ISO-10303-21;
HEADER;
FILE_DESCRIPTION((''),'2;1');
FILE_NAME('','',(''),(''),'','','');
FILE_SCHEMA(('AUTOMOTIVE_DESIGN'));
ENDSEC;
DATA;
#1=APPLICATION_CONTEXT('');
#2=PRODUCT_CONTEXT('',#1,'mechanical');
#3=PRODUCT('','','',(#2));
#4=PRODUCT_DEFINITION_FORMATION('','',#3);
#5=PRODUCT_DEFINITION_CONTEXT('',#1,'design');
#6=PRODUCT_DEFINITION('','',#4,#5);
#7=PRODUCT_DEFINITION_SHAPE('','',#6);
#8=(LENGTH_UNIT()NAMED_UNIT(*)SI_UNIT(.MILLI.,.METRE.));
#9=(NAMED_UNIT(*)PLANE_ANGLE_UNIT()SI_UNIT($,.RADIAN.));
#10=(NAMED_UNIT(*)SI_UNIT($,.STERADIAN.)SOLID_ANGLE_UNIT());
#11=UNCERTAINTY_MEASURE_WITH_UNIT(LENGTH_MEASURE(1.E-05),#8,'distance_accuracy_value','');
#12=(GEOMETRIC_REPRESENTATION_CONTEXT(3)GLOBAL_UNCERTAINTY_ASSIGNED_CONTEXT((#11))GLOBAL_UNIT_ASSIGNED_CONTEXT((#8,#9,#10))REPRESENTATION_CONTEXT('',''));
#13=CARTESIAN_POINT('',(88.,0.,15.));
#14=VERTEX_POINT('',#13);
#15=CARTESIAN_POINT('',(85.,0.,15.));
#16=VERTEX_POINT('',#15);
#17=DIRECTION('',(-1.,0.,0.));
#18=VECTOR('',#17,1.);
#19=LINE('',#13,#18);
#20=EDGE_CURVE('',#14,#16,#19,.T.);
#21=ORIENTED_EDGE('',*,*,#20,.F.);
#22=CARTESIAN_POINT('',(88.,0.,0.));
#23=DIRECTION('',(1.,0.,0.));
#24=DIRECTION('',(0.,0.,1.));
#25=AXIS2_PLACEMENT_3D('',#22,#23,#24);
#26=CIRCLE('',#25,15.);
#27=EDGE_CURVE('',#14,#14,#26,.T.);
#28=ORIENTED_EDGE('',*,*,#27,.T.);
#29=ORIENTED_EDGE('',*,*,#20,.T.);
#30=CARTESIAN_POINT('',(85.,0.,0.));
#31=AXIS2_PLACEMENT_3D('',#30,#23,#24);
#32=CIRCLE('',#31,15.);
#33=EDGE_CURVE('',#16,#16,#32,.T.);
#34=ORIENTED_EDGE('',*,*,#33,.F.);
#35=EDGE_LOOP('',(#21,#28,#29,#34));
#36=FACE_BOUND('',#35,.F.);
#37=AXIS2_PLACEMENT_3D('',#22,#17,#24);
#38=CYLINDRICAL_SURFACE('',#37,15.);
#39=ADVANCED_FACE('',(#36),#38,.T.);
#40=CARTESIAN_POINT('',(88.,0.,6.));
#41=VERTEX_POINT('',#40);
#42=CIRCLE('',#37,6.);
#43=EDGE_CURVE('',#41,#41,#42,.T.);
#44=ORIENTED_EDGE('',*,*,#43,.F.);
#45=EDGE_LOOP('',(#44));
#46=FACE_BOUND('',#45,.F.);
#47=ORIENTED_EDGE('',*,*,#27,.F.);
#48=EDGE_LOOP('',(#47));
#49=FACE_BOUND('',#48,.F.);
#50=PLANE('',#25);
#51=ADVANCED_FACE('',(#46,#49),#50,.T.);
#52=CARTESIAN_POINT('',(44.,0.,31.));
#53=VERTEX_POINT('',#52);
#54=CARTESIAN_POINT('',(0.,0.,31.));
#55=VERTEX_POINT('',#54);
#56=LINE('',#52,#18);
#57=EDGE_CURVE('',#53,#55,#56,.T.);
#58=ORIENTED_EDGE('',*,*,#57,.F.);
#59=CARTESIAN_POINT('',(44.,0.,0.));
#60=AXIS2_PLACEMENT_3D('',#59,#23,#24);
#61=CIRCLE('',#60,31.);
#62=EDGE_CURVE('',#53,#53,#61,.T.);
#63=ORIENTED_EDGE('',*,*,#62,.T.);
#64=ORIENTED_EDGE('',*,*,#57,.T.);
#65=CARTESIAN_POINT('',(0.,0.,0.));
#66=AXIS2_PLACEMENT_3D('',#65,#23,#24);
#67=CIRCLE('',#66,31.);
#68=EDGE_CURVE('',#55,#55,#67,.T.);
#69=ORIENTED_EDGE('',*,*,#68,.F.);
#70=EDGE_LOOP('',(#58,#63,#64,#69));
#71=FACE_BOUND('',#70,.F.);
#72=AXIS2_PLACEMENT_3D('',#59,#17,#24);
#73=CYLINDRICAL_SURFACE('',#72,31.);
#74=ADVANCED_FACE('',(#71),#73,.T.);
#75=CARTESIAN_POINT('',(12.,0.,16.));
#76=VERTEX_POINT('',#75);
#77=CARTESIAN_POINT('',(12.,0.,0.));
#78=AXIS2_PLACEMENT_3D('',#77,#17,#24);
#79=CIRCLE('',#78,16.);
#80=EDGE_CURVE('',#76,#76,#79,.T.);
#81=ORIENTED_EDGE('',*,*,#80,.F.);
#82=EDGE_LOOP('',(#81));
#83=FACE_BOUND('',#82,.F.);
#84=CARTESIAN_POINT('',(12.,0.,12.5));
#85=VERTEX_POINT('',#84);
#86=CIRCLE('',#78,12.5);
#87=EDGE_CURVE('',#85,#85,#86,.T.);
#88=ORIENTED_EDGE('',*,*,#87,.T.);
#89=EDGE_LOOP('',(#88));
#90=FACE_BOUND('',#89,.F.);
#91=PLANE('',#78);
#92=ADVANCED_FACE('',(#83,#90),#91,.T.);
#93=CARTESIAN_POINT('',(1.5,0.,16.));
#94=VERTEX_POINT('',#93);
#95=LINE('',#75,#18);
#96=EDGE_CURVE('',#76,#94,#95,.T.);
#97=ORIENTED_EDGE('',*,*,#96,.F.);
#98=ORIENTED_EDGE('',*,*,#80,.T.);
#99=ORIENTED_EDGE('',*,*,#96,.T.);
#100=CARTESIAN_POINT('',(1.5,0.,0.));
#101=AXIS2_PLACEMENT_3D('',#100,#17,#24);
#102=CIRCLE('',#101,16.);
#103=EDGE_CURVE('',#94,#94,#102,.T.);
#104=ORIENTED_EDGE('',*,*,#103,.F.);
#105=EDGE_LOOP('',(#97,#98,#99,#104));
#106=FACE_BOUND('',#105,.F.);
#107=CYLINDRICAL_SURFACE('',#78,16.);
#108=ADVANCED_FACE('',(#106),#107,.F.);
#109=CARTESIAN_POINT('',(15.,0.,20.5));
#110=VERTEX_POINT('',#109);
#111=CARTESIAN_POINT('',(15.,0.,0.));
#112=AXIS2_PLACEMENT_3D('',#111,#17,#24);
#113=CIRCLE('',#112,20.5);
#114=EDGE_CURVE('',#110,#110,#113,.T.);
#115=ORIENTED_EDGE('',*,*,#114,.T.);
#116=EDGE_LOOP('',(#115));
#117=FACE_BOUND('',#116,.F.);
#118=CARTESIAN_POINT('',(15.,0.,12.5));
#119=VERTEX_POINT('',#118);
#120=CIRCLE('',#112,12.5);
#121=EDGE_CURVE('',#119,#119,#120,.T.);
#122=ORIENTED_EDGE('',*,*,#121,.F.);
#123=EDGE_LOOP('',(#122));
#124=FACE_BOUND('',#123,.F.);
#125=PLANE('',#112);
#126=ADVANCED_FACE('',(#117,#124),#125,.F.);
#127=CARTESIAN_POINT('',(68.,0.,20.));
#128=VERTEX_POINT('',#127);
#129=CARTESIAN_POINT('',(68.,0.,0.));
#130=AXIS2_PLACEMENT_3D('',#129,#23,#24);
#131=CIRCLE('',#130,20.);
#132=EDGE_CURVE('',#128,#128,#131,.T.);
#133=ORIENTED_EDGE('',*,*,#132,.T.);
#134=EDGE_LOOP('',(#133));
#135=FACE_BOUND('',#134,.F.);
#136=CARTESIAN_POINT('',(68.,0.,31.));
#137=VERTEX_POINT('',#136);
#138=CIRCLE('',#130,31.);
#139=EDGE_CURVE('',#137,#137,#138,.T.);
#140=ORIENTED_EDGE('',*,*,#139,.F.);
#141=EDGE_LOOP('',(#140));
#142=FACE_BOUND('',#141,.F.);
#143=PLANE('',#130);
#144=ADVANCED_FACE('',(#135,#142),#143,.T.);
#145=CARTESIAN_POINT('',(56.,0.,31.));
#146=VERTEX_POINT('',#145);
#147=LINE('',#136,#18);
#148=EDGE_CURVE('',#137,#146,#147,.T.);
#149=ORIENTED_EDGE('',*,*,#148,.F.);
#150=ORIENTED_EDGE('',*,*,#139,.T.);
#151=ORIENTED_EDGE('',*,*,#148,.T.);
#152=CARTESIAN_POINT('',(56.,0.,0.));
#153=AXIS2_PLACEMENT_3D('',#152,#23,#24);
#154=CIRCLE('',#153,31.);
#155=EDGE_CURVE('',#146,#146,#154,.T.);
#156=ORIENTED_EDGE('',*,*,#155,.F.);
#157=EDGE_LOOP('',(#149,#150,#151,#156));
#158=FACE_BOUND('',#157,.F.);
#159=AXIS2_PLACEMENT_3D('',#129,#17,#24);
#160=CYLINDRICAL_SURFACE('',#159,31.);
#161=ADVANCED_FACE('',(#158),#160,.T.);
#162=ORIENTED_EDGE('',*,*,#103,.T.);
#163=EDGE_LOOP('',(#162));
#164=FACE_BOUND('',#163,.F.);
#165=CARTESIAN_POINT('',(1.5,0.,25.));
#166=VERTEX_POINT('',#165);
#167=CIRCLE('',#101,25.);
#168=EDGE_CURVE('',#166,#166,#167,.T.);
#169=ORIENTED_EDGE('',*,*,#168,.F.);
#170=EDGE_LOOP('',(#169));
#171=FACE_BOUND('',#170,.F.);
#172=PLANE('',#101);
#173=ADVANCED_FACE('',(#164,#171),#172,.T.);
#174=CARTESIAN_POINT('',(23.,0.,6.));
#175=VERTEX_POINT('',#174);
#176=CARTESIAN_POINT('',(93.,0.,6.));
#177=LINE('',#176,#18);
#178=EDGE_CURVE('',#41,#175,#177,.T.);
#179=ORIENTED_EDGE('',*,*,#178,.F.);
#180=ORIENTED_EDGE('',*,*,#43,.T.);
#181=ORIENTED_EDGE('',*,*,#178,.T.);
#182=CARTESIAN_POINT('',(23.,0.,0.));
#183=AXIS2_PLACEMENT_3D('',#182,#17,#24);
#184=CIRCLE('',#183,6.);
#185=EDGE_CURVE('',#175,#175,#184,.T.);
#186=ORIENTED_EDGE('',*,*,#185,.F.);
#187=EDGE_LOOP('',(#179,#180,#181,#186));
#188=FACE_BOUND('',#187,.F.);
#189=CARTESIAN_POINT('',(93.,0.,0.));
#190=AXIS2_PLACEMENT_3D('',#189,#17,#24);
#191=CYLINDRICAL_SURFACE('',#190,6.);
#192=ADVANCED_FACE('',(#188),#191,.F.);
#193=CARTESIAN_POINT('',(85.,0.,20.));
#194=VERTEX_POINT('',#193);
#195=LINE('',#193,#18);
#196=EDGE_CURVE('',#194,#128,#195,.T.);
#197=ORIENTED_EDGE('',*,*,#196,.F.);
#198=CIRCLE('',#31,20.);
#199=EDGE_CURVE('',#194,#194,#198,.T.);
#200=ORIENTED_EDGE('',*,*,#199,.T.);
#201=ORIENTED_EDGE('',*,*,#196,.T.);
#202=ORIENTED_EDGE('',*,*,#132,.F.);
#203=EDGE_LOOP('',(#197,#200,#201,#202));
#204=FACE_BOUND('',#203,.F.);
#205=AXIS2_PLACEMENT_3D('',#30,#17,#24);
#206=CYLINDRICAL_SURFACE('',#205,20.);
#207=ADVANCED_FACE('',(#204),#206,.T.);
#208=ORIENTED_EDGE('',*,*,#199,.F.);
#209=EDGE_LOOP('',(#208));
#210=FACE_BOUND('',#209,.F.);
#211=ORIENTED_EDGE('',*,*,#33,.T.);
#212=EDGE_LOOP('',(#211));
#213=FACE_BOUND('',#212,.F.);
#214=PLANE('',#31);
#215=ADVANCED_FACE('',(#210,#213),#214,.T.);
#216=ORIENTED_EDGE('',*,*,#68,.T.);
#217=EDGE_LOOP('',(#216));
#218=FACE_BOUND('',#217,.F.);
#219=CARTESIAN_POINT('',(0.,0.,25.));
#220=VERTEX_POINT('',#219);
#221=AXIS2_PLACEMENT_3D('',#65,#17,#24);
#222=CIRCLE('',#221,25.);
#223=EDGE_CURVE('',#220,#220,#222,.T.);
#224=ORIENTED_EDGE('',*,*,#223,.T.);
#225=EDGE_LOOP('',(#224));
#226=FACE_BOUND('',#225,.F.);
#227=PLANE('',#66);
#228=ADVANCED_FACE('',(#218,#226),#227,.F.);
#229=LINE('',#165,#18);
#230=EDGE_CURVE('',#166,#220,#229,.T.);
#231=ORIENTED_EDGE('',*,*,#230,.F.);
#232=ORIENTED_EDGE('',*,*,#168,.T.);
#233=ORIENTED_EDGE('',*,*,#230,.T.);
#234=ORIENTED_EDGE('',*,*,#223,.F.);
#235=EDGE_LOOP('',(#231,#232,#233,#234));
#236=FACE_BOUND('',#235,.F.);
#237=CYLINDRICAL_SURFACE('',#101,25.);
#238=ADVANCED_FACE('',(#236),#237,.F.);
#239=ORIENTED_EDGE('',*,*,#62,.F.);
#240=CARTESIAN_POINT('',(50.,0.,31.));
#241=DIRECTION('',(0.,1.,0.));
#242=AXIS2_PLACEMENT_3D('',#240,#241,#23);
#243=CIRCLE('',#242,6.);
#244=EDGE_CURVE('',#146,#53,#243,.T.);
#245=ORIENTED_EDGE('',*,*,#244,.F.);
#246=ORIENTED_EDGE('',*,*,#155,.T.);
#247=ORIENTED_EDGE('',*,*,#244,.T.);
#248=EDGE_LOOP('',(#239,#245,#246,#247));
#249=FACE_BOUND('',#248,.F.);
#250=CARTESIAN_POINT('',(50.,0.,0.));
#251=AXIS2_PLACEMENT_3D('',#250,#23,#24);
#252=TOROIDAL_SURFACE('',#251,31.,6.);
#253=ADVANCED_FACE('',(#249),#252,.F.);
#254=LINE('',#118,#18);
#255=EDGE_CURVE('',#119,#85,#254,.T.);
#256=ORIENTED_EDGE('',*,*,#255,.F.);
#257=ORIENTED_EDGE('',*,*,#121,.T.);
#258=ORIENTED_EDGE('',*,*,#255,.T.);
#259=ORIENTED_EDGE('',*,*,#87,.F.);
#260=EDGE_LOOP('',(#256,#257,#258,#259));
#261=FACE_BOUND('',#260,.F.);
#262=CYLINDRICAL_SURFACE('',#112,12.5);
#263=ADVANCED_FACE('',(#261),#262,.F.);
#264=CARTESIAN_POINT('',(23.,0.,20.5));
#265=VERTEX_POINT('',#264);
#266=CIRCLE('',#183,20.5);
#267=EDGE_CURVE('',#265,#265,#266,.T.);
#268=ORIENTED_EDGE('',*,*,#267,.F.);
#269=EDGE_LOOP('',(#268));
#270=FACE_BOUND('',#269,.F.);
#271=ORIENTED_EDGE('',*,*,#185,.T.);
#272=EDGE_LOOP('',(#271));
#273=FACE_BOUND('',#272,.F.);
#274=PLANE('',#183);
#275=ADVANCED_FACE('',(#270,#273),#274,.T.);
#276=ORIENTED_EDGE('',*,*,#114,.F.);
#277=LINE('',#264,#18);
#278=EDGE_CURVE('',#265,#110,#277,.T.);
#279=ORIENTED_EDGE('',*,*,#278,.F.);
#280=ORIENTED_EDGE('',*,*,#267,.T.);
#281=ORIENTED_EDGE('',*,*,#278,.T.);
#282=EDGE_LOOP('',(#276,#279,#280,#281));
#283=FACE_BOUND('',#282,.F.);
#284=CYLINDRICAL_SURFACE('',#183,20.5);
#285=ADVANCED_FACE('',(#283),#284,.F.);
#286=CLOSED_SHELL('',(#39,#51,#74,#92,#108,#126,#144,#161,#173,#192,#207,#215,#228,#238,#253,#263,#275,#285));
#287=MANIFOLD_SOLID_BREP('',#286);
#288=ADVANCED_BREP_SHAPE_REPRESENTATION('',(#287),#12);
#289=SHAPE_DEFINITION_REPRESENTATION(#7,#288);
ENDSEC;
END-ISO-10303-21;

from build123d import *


with BuildPart() as f1:
    # F0 (on Front) → F1 (revolve)
    with BuildSketch(Plane.XZ):
        with BuildLine():
            Line((0, 31), (0, 0))
            Line((0, 0), (88, 0))
            Line((88, 0), (88, 15))
            Line((88, 15), (85, 15))
            Line((85, 15), (85, 20))
            Line((85, 20), (68, 20))
            Line((68, 20), (68, 31))
            Line((68, 31), (56, 31))
            ThreePointArc((56, 31), (50, 25), (44, 31))
            Line((44, 31), (0, 31))
        make_face()
    revolve(axis=Axis((113.79065, 0, 0), (1, 0, 0)))

    # F2 (on Front) → F3 (revolve, cut)
    with BuildSketch(Plane.XZ):
        Polygon((0, 25), (0, 0), (93, 0), (93, 6), (23, 6), (23, 20.5), (15, 20.5), (15, 12.5), (12, 12.5), (12, 16), (1.5, 16), (1.5, 25), align=None)
    revolve(axis=Axis((46.5, 0, 0), (-1, 0, 0)), mode=Mode.SUBTRACT)


solid = f1.part
